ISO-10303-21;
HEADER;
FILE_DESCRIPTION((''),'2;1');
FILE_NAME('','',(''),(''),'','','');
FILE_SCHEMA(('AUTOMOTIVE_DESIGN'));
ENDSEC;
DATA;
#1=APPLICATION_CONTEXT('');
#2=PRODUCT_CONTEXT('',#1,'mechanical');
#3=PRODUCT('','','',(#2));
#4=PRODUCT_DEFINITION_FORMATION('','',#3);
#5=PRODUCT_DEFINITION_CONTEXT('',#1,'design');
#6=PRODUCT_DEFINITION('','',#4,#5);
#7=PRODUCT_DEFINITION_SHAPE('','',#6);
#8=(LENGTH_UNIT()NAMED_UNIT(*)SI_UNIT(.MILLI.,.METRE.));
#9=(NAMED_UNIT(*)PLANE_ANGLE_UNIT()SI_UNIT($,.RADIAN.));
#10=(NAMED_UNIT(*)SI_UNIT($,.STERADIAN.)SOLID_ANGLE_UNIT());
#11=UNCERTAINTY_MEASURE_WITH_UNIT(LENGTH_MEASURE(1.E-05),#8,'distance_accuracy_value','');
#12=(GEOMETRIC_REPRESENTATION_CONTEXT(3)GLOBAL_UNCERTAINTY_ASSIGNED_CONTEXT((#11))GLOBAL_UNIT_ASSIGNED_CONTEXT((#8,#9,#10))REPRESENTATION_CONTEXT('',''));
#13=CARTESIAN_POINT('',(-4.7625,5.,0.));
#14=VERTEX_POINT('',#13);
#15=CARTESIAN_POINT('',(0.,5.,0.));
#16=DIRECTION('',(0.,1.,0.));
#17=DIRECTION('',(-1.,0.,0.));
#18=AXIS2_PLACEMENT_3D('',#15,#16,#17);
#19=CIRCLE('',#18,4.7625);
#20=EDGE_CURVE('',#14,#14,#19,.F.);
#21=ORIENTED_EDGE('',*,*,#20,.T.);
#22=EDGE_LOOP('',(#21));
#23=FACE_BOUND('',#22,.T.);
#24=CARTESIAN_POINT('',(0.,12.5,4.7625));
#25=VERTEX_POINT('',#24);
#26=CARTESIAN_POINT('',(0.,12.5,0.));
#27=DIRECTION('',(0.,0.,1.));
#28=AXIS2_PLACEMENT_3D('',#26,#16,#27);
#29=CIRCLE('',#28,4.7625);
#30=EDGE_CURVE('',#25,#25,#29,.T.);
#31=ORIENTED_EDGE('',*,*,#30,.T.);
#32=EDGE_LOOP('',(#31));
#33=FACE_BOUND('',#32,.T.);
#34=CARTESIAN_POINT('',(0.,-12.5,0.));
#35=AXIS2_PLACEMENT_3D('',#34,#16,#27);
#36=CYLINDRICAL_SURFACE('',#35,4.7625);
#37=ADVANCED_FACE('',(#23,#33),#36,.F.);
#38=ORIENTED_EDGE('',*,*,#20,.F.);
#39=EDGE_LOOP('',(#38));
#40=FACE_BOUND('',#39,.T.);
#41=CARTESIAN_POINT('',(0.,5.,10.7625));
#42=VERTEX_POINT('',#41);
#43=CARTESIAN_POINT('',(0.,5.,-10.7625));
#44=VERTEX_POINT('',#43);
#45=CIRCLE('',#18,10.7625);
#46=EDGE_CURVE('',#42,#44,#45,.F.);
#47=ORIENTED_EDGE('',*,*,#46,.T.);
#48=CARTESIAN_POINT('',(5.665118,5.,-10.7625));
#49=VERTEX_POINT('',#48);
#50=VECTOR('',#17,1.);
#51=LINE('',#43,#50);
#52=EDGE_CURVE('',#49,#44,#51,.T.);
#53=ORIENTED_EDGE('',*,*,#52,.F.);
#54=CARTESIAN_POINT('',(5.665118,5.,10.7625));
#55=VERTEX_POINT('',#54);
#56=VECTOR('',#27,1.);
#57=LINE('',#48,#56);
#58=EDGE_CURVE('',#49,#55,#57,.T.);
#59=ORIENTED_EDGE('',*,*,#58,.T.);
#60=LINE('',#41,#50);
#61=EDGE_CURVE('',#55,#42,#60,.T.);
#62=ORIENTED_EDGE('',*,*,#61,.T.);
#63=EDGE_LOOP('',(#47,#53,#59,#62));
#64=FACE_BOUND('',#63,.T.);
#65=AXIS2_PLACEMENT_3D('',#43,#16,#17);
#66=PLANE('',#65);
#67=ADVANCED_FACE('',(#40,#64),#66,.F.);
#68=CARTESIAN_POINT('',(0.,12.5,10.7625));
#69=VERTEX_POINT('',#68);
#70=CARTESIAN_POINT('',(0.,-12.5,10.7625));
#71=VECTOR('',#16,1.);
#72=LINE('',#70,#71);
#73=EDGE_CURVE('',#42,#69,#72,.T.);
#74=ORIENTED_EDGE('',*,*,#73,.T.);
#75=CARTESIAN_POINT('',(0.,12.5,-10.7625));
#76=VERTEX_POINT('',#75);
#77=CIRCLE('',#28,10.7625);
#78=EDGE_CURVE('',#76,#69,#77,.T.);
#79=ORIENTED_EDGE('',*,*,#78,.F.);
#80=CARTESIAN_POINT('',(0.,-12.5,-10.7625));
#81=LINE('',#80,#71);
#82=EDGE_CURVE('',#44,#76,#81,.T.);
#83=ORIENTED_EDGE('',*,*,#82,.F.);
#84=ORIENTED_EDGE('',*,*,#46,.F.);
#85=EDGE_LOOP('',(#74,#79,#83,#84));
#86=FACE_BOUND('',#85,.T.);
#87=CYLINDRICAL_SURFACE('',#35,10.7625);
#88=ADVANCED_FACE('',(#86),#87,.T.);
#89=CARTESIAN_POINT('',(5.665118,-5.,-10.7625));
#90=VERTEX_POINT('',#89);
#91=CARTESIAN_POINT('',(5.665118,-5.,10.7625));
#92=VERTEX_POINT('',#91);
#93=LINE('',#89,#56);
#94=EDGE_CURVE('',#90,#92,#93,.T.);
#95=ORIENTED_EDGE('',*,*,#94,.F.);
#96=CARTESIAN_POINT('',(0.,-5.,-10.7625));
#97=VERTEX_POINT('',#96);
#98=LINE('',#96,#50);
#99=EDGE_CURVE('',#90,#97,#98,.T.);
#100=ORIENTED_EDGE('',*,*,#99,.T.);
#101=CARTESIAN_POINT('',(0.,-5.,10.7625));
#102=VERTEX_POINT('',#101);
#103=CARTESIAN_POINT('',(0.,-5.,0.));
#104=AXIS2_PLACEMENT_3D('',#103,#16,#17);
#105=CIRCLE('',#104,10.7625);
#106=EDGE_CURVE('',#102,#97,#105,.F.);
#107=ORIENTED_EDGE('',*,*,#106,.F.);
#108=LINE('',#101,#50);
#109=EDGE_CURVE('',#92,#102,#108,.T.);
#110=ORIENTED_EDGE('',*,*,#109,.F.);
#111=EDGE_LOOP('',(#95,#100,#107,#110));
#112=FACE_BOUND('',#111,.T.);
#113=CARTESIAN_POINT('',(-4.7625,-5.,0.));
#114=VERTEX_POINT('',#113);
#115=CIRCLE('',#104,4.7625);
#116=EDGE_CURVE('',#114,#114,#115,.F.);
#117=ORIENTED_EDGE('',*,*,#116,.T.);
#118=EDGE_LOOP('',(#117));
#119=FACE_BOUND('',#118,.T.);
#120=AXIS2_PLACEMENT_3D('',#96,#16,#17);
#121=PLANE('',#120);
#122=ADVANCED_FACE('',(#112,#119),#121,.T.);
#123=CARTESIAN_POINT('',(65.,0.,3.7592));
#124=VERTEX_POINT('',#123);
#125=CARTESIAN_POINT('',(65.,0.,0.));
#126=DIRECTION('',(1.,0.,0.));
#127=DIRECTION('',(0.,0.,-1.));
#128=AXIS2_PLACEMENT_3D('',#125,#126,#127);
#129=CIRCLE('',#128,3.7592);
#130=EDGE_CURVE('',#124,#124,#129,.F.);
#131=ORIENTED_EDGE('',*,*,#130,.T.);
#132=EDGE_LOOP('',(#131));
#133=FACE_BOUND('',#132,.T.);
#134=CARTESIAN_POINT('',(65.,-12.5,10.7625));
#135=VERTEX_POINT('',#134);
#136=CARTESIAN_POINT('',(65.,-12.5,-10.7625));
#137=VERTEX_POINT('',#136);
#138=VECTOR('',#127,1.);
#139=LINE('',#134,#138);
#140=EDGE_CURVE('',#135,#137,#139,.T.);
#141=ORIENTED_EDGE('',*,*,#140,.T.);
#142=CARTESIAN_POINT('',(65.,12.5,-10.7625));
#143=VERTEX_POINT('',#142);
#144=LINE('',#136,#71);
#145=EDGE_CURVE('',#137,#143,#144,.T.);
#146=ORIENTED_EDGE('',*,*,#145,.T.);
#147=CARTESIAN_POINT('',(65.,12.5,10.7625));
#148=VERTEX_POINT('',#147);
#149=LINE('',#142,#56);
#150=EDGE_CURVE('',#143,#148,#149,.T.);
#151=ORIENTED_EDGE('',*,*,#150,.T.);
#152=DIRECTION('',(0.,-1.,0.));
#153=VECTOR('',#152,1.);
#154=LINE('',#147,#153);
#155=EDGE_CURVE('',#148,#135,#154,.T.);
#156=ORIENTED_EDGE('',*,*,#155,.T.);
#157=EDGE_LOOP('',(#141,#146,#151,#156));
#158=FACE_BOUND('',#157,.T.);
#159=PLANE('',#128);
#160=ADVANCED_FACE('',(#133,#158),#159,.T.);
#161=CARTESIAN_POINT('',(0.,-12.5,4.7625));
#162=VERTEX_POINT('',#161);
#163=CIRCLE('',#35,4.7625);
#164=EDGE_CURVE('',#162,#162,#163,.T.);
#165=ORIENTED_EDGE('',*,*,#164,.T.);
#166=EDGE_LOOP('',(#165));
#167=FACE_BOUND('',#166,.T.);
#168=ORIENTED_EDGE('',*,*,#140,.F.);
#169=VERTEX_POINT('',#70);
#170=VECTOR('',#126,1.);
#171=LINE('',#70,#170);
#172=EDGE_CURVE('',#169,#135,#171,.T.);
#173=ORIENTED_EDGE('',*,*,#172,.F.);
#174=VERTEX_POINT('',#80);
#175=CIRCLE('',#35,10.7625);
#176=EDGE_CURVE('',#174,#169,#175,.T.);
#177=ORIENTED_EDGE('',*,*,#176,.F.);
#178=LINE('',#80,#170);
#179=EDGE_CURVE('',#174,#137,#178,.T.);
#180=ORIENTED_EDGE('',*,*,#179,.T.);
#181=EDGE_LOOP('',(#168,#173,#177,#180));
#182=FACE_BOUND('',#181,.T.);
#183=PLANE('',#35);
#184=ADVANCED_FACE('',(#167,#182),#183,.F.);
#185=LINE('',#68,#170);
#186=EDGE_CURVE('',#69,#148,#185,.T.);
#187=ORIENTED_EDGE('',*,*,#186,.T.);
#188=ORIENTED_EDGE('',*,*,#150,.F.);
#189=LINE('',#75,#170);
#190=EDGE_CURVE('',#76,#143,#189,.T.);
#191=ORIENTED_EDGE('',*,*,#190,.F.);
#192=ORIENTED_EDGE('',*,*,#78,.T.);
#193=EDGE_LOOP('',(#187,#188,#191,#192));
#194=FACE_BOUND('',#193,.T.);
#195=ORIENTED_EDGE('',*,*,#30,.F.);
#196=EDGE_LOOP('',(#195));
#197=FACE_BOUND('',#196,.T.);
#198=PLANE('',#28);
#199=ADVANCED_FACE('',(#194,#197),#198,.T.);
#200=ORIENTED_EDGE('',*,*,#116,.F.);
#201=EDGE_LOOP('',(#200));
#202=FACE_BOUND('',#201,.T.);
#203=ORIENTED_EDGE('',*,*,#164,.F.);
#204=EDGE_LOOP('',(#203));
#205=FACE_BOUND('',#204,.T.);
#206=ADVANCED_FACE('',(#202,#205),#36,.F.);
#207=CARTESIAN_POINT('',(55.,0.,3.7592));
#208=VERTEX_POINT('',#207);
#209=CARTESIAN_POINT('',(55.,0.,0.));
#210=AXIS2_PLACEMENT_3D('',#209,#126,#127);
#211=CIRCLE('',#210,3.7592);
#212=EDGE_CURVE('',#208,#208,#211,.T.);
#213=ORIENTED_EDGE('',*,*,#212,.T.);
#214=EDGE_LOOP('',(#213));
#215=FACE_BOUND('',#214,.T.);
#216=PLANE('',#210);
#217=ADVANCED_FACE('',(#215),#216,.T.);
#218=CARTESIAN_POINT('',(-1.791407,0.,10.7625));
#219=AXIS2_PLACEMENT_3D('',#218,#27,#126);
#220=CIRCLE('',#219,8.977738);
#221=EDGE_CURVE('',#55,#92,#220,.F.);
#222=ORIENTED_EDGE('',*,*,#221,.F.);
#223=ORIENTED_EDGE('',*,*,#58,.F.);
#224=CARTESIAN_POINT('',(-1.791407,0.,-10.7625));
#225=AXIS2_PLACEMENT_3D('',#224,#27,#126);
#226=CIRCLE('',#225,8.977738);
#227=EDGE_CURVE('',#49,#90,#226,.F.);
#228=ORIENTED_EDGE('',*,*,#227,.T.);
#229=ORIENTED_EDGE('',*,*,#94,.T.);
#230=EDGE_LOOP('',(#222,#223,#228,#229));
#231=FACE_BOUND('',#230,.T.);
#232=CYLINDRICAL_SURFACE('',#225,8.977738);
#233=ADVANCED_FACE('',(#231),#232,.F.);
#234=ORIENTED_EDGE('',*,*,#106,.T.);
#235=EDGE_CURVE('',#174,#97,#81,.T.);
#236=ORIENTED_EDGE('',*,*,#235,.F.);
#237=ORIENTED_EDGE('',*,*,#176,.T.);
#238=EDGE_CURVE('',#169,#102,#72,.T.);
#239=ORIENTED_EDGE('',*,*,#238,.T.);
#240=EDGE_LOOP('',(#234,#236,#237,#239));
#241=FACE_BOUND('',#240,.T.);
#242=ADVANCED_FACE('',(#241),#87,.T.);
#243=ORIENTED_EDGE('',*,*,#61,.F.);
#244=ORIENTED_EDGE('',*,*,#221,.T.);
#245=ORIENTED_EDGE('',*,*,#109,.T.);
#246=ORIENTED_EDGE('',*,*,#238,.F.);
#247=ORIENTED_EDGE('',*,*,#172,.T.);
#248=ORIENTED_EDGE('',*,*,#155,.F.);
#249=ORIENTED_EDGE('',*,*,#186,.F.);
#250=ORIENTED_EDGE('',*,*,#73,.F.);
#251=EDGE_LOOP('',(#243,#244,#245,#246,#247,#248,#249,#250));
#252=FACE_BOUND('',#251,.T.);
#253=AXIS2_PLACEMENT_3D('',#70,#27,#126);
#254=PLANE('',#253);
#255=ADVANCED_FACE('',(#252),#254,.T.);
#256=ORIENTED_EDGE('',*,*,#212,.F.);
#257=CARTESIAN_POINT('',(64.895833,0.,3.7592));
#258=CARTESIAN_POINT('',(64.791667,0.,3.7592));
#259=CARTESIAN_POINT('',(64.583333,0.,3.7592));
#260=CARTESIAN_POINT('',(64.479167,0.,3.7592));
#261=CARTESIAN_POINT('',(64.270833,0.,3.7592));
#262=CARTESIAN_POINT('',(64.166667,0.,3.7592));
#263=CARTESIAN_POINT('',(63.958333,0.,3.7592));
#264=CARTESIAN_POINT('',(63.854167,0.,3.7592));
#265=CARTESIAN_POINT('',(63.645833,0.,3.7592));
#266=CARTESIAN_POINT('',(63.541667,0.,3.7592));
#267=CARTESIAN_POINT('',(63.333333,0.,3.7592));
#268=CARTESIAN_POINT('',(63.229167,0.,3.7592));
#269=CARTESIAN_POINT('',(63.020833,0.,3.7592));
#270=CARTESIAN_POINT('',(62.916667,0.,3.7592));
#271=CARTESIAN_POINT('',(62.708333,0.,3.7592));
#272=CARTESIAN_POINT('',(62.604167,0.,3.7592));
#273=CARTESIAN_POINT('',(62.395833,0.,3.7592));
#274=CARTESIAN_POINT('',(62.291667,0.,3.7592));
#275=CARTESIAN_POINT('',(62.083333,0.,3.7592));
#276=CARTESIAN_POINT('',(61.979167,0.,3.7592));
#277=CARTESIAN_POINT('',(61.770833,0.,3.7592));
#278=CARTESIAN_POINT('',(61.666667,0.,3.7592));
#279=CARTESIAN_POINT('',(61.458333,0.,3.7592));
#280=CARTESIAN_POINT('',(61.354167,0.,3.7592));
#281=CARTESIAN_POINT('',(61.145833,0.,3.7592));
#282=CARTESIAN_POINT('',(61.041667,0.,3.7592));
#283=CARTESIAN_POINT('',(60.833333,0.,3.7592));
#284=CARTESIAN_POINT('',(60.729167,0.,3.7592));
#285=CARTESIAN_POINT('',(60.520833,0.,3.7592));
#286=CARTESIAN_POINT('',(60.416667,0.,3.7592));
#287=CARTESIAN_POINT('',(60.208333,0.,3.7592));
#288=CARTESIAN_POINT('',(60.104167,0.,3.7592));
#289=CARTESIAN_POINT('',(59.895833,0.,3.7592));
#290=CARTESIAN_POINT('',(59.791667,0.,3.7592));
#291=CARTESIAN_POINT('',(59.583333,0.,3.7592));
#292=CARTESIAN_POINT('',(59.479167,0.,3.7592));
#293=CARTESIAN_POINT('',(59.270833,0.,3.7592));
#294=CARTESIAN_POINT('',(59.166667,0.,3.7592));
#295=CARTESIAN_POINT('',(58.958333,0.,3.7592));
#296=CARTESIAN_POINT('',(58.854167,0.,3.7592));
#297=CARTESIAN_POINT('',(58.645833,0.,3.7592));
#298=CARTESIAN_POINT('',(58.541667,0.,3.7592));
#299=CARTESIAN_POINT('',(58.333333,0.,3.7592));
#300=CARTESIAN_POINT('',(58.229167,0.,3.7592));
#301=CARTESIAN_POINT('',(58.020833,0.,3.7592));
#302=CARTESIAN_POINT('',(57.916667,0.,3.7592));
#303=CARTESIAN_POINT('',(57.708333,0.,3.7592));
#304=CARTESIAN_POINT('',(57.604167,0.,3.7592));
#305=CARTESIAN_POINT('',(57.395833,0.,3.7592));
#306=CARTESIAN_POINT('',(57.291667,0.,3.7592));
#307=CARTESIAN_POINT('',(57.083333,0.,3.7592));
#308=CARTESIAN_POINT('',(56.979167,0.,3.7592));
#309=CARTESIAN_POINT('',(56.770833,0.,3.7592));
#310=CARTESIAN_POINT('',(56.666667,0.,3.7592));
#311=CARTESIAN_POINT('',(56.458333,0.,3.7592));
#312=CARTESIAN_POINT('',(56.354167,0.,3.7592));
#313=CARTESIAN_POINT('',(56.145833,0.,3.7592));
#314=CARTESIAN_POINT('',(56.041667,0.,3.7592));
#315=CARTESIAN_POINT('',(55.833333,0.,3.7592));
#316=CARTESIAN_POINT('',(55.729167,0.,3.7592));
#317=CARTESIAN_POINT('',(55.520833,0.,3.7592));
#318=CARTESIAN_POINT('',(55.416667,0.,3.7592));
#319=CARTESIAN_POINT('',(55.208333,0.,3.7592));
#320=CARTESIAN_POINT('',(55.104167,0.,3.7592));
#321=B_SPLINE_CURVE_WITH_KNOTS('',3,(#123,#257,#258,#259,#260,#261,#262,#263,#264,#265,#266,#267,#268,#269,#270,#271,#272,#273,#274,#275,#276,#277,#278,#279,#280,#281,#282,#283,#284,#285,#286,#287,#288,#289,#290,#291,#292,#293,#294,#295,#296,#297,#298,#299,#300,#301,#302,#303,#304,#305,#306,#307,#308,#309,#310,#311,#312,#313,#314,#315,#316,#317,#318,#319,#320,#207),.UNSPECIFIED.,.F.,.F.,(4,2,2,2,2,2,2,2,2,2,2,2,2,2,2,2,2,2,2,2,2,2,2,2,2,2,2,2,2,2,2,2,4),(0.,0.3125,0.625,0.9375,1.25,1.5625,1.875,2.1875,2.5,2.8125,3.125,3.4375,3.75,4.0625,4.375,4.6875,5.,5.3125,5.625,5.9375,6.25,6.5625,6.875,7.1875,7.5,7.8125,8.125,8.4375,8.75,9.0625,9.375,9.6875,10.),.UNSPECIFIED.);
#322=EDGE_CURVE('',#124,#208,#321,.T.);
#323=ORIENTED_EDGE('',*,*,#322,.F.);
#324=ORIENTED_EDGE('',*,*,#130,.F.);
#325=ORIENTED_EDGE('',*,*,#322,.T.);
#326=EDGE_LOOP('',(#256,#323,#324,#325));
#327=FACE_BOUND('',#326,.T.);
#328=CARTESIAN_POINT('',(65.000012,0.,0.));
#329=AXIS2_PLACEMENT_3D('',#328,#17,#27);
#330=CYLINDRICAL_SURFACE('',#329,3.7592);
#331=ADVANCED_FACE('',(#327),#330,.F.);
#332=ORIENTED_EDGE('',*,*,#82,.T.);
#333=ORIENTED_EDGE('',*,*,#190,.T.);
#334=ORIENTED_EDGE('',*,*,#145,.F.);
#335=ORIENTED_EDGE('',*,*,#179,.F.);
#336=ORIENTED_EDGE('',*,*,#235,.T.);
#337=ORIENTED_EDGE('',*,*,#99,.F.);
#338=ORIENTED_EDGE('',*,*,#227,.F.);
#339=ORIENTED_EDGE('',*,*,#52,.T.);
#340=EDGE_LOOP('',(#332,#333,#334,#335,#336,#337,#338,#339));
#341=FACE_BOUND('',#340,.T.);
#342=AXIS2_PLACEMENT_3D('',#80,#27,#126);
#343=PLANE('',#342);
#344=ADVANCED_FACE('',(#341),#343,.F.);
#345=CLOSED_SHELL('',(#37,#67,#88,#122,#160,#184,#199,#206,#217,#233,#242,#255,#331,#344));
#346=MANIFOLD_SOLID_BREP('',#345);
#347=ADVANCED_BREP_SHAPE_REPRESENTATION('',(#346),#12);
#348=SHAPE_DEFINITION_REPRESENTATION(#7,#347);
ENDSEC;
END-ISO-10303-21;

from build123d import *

# Parameters (mm, degrees)
SKETCH2_W               = 30
SKETCH2_H               = 30
BOSS_EXTRUDE3_DEPTH     = 12.5
CUT_EXTRUDE1_DEPTH      = 25.622144504
CUT_EXTRUDE1_DEPTH_BACK = 25.622144504
SKETCH1_R               = 4.7625
CUT_EXTRUDE2_DEPTH      = 30.061583319
CUT_EXTRUDE2_DEPTH_BACK = 30.061583319
SKETCH3_W               = 10.7625
SKETCH3_H               = 10
SKETCH5_W               = 21.525
SKETCH5_H               = 25
BOSS_EXTRUDE4_DEPTH     = 50
CUT_EXTRUDE3_DEPTH      = 78.537331734
CUT_EXTRUDE3_DEPTH_BACK = 10
SKETCH6_R               = 3.7592


with BuildPart() as part:
    # Sketch2 → Boss-Extrude3 (new, symmetric)
    with BuildSketch(Plane(origin=(0, 0, 0), x_dir=(1, 0, 0), z_dir=(0, 1, 0))):
        Rectangle(SKETCH2_W, SKETCH2_H)
    extrude(amount=BOSS_EXTRUDE3_DEPTH, both=True)

    # Sketch1 → Cut-Extrude1 (cut, two sides: drawn at the far end of the back side and taken through both)
    with BuildSketch(Plane(origin=(0, 0, 0), x_dir=(1, 0, 0), z_dir=(0, 1, 0)).offset(-CUT_EXTRUDE1_DEPTH_BACK)):
        with Locations(Location((0, 0, 0), (0, 0, 270))):
            Circle(SKETCH1_R)
        with BuildLine():
            ThreePointArc((0, -10.7625), (-10.7625, 0), (0, 10.7625))
            Line((0, 10.7625), (15, 10.7625))
            Line((15, 10.7625), (15, 15))
            Line((15, 15), (-15, 15))
            Line((-15, 15), (-15, -15))
            Line((-15, -15), (15, -15))
            Line((15, -15), (15, -10.7625))
            Line((15, -10.7625), (0, -10.7625))
        make_face()
    extrude(amount=CUT_EXTRUDE1_DEPTH + CUT_EXTRUDE1_DEPTH_BACK, mode=Mode.SUBTRACT)

    # Sketch3 → Cut-Extrude2 (cut, two sides: drawn at the far end of the back side and taken through both)
    with BuildSketch(Plane.XY.offset(10.7625).offset(-CUT_EXTRUDE2_DEPTH_BACK)):
        with BuildLine():
            Line((0, -5), (5.665118464, -5))
            ThreePointArc((5.665118464, -5), (7.186330553, 0), (5.665118464, 5))
            Line((5.665118464, 5), (0, 5))
            Line((0, 5), (0, -5))
        make_face()
        with Locations((-5.38125, 0)):
            Rectangle(SKETCH3_W, SKETCH3_H)
    extrude(amount=CUT_EXTRUDE2_DEPTH + CUT_EXTRUDE2_DEPTH_BACK, mode=Mode.SUBTRACT)

    # Sketch5 → Boss-Extrude4 (add)
    with BuildSketch(Plane(origin=(15, 0, 0), x_dir=(0, 0, -1), z_dir=(1, 0, 0))):
        Rectangle(SKETCH5_W, SKETCH5_H)
    extrude(amount=BOSS_EXTRUDE4_DEPTH)

    # Sketch6 → Cut-Extrude3 (cut, two sides: drawn at the far end of the back side and taken through both)
    with BuildSketch(Plane(origin=(65, 0, 0), x_dir=(0, 0, -1), z_dir=(1, 0, 0)).offset(-CUT_EXTRUDE3_DEPTH_BACK)):
        with Locations(Location((0, 0, 0), (0, 0, 180))):
            Circle(SKETCH6_R)
    extrude(amount=CUT_EXTRUDE3_DEPTH + CUT_EXTRUDE3_DEPTH_BACK, mode=Mode.SUBTRACT)


solid = part.part
